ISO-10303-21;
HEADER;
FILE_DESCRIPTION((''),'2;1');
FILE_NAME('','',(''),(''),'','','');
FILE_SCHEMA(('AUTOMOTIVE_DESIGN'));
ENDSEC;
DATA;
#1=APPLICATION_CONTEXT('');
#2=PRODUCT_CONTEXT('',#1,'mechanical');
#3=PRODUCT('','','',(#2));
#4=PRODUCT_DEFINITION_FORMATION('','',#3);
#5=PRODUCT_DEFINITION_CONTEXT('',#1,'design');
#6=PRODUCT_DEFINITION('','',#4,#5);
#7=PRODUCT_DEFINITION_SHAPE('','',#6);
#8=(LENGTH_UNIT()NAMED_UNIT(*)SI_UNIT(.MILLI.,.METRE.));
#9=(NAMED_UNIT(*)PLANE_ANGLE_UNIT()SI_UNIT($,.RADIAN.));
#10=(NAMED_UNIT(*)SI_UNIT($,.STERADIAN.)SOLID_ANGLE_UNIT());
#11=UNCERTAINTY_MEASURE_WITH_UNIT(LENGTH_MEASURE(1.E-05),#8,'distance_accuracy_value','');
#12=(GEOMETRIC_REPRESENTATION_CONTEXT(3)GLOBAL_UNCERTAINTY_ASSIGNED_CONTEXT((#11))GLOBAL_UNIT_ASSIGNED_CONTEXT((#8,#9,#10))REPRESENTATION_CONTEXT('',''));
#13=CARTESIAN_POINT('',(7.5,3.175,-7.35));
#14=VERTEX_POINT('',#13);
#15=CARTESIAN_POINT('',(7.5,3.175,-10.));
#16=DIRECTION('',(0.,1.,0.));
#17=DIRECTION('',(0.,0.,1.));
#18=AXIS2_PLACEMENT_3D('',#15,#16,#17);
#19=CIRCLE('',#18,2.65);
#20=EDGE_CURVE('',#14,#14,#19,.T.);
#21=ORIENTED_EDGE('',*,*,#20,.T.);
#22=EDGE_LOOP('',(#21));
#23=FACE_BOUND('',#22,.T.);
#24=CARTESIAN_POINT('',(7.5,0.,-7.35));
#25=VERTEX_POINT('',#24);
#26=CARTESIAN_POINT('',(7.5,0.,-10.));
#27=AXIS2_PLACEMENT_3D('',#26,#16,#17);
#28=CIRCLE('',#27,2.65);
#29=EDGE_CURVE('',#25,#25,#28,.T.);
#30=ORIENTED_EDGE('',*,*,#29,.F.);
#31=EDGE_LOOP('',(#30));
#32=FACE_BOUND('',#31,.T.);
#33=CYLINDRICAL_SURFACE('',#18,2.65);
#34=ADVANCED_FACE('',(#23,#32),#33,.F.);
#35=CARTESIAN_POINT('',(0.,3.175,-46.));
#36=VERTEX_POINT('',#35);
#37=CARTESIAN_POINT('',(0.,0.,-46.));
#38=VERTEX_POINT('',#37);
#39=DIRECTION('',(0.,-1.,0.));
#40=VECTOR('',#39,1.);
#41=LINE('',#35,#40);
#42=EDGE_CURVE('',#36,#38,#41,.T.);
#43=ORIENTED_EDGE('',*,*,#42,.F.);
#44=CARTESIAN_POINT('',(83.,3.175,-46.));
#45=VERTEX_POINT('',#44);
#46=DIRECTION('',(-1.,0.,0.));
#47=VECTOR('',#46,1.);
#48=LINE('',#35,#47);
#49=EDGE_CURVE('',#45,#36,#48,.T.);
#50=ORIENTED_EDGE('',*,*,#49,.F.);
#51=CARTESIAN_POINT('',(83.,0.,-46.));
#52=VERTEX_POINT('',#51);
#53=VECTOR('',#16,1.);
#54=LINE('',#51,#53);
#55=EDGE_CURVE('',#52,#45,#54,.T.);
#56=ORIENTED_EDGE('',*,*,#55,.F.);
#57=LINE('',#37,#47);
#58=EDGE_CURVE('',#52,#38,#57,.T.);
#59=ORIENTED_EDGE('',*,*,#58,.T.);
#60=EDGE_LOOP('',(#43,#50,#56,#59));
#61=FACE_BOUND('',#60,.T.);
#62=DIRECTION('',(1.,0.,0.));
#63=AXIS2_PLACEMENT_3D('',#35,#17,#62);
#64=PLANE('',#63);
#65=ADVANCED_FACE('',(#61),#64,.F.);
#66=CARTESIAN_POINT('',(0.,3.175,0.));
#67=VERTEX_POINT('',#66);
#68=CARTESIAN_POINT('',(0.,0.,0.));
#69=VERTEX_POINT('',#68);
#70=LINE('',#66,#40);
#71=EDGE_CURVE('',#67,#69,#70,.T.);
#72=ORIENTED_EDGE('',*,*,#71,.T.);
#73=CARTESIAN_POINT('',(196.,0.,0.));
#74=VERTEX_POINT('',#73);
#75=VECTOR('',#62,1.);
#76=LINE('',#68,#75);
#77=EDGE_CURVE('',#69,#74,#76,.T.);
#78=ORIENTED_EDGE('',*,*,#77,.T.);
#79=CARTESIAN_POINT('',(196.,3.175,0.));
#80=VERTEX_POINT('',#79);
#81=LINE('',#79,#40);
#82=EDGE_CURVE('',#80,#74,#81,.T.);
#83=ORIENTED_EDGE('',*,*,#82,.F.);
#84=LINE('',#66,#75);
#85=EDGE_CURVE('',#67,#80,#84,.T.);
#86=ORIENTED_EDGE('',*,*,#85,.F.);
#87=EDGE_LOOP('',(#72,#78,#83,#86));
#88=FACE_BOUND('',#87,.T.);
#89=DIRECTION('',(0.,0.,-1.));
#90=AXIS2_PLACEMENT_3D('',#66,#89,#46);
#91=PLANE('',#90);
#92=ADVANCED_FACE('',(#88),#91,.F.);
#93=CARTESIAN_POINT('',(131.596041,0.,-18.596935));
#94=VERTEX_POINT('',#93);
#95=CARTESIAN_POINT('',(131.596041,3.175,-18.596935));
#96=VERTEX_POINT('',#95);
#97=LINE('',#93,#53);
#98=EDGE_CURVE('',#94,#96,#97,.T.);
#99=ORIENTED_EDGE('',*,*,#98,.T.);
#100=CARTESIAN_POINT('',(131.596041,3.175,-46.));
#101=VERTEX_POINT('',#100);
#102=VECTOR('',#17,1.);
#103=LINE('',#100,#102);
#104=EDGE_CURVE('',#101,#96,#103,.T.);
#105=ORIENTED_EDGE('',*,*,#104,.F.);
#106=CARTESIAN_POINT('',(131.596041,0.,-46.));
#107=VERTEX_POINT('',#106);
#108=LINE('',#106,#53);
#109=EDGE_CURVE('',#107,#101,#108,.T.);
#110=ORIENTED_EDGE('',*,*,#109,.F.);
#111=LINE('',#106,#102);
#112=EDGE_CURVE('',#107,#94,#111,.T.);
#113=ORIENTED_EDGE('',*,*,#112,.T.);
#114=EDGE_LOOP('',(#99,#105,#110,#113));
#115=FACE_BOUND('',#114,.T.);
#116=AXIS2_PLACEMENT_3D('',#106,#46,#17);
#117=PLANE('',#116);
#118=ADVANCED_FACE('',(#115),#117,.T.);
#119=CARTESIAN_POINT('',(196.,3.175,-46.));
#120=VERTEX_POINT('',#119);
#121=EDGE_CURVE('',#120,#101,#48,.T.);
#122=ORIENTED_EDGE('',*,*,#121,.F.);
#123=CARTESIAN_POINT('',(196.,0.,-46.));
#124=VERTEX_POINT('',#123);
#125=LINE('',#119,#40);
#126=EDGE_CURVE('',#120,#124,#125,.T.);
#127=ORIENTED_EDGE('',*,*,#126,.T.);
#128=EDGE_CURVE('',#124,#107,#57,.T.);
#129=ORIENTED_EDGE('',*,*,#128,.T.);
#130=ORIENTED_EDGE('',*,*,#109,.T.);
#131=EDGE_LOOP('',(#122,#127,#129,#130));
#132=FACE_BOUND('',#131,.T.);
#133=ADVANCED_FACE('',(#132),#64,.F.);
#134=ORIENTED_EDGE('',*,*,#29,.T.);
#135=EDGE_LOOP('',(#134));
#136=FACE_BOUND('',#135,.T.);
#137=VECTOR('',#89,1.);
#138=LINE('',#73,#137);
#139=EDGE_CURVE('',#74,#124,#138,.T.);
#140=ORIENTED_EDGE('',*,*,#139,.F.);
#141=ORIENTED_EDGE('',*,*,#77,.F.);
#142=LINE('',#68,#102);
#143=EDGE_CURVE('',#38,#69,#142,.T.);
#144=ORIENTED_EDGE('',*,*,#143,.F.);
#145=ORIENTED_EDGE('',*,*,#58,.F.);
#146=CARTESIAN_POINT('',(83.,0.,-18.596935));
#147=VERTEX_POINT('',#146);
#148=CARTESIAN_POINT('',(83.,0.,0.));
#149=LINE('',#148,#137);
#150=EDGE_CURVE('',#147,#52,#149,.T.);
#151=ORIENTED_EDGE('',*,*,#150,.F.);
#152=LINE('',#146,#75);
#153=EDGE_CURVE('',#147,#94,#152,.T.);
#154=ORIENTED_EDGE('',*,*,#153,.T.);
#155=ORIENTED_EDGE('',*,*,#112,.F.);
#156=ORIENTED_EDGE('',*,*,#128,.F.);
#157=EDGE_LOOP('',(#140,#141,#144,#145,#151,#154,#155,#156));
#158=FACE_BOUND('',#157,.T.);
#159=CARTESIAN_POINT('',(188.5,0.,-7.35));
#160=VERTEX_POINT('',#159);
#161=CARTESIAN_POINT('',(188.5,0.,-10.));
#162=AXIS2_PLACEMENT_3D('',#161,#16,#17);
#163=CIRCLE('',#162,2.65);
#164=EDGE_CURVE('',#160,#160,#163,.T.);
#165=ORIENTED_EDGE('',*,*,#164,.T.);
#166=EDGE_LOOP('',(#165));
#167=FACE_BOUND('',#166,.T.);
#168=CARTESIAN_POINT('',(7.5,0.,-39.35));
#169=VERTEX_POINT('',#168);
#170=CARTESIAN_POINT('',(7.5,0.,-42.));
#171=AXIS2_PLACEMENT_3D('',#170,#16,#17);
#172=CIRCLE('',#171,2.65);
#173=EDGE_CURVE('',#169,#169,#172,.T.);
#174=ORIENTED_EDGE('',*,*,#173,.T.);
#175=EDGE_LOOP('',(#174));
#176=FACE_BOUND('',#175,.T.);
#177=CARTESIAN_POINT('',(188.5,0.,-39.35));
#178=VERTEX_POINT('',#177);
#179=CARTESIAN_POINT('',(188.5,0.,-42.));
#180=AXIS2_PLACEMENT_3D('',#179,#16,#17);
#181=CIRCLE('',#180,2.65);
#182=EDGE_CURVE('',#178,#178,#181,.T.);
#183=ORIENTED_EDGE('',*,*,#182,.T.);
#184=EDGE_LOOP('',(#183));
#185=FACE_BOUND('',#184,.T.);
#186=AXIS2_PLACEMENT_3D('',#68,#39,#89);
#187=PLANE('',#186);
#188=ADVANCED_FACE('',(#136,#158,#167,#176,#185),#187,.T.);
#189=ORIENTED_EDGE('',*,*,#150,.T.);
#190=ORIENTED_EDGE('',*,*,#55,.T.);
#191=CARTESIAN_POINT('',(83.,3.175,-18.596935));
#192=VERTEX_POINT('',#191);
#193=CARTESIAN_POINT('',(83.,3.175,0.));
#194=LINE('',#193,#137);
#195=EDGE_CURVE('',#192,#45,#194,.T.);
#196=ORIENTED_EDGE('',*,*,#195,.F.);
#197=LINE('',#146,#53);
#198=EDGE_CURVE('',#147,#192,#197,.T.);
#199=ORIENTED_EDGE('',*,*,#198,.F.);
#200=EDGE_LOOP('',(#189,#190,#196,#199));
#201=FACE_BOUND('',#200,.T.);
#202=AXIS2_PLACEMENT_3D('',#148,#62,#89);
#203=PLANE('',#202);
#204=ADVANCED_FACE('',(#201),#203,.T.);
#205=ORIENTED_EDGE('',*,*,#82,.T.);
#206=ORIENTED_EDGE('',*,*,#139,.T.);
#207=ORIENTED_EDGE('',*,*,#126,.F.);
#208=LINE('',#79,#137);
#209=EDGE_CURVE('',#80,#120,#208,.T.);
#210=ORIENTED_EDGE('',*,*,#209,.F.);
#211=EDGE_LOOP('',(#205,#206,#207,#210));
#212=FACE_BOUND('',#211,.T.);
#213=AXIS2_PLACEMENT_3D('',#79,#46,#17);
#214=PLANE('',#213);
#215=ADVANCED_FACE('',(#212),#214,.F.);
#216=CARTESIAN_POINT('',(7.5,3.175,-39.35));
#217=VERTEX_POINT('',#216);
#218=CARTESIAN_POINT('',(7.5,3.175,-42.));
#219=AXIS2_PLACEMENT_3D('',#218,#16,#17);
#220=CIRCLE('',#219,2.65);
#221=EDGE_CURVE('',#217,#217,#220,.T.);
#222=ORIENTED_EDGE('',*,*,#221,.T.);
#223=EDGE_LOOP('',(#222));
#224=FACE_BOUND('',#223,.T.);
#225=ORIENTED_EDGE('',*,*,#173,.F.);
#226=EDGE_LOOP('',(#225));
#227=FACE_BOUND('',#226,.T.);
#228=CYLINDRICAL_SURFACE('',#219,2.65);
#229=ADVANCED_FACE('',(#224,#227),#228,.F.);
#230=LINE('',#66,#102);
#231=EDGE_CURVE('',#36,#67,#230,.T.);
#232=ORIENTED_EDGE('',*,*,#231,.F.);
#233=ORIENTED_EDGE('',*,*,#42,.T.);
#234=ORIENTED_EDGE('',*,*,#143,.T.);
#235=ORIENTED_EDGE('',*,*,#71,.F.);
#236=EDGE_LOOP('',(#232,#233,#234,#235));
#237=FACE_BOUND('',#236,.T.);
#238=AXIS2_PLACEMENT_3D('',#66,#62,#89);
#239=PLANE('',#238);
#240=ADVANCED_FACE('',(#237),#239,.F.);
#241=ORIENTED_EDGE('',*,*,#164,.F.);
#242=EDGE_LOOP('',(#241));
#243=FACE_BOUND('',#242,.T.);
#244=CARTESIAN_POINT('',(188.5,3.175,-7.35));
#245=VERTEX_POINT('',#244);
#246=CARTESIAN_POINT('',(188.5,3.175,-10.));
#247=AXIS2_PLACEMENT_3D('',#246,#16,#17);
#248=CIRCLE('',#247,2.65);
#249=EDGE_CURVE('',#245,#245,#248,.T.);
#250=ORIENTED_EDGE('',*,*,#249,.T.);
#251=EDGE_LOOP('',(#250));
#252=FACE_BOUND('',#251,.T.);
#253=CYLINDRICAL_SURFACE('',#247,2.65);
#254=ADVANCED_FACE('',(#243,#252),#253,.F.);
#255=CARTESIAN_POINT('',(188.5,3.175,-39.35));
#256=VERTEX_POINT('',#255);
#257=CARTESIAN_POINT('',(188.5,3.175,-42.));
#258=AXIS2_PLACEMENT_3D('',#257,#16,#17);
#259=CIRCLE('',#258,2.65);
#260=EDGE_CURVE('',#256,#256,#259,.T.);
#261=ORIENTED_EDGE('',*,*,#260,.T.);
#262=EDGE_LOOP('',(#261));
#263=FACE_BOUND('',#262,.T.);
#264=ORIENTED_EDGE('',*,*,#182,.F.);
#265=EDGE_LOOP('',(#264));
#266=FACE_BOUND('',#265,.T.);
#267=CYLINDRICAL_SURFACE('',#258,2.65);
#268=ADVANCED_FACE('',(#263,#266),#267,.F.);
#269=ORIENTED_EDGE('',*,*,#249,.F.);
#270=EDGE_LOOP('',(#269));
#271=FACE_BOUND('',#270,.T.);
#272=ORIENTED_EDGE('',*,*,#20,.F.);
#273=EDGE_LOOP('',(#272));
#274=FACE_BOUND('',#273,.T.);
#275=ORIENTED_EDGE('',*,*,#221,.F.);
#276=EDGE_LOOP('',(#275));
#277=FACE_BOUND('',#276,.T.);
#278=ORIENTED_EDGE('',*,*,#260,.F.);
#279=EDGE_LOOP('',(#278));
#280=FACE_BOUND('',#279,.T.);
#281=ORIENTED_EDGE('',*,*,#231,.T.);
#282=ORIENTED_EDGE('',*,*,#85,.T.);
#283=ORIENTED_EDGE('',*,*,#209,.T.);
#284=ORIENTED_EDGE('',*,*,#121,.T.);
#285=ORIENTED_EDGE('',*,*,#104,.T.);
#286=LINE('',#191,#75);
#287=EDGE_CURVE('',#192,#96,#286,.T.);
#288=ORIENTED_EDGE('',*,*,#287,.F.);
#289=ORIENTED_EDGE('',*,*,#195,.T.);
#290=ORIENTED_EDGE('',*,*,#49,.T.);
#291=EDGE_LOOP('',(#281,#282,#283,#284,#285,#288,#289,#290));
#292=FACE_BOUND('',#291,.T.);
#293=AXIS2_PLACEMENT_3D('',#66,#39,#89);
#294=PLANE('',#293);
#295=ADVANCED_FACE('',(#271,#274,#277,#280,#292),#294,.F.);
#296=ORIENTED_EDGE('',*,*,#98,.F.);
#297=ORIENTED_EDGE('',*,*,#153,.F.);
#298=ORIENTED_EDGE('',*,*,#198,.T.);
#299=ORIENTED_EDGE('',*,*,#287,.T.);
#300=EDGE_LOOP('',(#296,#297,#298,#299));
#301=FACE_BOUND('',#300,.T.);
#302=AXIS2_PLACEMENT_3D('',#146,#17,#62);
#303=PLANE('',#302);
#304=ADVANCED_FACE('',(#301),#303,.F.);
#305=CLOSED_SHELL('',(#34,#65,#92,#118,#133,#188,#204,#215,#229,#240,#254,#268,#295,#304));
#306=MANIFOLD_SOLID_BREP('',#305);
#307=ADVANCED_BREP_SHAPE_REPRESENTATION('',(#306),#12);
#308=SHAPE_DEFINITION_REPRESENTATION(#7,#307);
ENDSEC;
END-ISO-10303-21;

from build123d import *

# Parameters (mm, degrees)
SKETCH1_W            = 196
SKETCH1_H            = 46
BOSS_EXTRUDE1_DEPTH  = 3.175
SKETCH2_W            = 30
SKETCH2_H            = 10.018068389
SKETCH2_W_2          = 48.596040924
SKETCH2_H_2          = 27.403064809
CUT_EXTRUDE1_DEPTH   = 3.175
M5_CLEARANCE_HOLE1_D = 5.3


with BuildPart() as part:
    # Sketch1 → Boss-Extrude1 (new body)
    with BuildSketch(Plane(origin=(0, 0, 0), x_dir=(1, 0, 0), z_dir=(0, 1, 0))):
        with Locations((98, 23)):
            Rectangle(SKETCH1_W, SKETCH1_H)
    extrude(amount=BOSS_EXTRUDE1_DEPTH)

    # Sketch2 → Cut-Extrude1 (cut)
    with BuildSketch(Plane(origin=(0, 3.175, 0), x_dir=(1, 0, 0), z_dir=(0, 1, 0))):
        with Locations((98, 40.990965805)):
            Rectangle(SKETCH2_W, SKETCH2_H)
        with BuildLine():
            ThreePointArc((83, 35.981931611), (98, 20.981931611), (113, 35.981931611))
            Line((113, 35.981931611), (83, 35.981931611))
        make_face()
        with Locations((107.298020462, 32.298467596)):
            Rectangle(SKETCH2_W_2, SKETCH2_H_2)
    extrude(amount=-CUT_EXTRUDE1_DEPTH, mode=Mode.SUBTRACT)

    # M5 Clearance Hole1 (through all)
    with Locations(Plane(origin=(0, 3.175, 0), x_dir=(1, 0, 0), z_dir=(0, 1, 0))):
        with Locations((188.5, 10), (7.5, 10), (188.5, 42), (7.5, 42)):
            Hole(M5_CLEARANCE_HOLE1_D / 2)


solid = part.part
